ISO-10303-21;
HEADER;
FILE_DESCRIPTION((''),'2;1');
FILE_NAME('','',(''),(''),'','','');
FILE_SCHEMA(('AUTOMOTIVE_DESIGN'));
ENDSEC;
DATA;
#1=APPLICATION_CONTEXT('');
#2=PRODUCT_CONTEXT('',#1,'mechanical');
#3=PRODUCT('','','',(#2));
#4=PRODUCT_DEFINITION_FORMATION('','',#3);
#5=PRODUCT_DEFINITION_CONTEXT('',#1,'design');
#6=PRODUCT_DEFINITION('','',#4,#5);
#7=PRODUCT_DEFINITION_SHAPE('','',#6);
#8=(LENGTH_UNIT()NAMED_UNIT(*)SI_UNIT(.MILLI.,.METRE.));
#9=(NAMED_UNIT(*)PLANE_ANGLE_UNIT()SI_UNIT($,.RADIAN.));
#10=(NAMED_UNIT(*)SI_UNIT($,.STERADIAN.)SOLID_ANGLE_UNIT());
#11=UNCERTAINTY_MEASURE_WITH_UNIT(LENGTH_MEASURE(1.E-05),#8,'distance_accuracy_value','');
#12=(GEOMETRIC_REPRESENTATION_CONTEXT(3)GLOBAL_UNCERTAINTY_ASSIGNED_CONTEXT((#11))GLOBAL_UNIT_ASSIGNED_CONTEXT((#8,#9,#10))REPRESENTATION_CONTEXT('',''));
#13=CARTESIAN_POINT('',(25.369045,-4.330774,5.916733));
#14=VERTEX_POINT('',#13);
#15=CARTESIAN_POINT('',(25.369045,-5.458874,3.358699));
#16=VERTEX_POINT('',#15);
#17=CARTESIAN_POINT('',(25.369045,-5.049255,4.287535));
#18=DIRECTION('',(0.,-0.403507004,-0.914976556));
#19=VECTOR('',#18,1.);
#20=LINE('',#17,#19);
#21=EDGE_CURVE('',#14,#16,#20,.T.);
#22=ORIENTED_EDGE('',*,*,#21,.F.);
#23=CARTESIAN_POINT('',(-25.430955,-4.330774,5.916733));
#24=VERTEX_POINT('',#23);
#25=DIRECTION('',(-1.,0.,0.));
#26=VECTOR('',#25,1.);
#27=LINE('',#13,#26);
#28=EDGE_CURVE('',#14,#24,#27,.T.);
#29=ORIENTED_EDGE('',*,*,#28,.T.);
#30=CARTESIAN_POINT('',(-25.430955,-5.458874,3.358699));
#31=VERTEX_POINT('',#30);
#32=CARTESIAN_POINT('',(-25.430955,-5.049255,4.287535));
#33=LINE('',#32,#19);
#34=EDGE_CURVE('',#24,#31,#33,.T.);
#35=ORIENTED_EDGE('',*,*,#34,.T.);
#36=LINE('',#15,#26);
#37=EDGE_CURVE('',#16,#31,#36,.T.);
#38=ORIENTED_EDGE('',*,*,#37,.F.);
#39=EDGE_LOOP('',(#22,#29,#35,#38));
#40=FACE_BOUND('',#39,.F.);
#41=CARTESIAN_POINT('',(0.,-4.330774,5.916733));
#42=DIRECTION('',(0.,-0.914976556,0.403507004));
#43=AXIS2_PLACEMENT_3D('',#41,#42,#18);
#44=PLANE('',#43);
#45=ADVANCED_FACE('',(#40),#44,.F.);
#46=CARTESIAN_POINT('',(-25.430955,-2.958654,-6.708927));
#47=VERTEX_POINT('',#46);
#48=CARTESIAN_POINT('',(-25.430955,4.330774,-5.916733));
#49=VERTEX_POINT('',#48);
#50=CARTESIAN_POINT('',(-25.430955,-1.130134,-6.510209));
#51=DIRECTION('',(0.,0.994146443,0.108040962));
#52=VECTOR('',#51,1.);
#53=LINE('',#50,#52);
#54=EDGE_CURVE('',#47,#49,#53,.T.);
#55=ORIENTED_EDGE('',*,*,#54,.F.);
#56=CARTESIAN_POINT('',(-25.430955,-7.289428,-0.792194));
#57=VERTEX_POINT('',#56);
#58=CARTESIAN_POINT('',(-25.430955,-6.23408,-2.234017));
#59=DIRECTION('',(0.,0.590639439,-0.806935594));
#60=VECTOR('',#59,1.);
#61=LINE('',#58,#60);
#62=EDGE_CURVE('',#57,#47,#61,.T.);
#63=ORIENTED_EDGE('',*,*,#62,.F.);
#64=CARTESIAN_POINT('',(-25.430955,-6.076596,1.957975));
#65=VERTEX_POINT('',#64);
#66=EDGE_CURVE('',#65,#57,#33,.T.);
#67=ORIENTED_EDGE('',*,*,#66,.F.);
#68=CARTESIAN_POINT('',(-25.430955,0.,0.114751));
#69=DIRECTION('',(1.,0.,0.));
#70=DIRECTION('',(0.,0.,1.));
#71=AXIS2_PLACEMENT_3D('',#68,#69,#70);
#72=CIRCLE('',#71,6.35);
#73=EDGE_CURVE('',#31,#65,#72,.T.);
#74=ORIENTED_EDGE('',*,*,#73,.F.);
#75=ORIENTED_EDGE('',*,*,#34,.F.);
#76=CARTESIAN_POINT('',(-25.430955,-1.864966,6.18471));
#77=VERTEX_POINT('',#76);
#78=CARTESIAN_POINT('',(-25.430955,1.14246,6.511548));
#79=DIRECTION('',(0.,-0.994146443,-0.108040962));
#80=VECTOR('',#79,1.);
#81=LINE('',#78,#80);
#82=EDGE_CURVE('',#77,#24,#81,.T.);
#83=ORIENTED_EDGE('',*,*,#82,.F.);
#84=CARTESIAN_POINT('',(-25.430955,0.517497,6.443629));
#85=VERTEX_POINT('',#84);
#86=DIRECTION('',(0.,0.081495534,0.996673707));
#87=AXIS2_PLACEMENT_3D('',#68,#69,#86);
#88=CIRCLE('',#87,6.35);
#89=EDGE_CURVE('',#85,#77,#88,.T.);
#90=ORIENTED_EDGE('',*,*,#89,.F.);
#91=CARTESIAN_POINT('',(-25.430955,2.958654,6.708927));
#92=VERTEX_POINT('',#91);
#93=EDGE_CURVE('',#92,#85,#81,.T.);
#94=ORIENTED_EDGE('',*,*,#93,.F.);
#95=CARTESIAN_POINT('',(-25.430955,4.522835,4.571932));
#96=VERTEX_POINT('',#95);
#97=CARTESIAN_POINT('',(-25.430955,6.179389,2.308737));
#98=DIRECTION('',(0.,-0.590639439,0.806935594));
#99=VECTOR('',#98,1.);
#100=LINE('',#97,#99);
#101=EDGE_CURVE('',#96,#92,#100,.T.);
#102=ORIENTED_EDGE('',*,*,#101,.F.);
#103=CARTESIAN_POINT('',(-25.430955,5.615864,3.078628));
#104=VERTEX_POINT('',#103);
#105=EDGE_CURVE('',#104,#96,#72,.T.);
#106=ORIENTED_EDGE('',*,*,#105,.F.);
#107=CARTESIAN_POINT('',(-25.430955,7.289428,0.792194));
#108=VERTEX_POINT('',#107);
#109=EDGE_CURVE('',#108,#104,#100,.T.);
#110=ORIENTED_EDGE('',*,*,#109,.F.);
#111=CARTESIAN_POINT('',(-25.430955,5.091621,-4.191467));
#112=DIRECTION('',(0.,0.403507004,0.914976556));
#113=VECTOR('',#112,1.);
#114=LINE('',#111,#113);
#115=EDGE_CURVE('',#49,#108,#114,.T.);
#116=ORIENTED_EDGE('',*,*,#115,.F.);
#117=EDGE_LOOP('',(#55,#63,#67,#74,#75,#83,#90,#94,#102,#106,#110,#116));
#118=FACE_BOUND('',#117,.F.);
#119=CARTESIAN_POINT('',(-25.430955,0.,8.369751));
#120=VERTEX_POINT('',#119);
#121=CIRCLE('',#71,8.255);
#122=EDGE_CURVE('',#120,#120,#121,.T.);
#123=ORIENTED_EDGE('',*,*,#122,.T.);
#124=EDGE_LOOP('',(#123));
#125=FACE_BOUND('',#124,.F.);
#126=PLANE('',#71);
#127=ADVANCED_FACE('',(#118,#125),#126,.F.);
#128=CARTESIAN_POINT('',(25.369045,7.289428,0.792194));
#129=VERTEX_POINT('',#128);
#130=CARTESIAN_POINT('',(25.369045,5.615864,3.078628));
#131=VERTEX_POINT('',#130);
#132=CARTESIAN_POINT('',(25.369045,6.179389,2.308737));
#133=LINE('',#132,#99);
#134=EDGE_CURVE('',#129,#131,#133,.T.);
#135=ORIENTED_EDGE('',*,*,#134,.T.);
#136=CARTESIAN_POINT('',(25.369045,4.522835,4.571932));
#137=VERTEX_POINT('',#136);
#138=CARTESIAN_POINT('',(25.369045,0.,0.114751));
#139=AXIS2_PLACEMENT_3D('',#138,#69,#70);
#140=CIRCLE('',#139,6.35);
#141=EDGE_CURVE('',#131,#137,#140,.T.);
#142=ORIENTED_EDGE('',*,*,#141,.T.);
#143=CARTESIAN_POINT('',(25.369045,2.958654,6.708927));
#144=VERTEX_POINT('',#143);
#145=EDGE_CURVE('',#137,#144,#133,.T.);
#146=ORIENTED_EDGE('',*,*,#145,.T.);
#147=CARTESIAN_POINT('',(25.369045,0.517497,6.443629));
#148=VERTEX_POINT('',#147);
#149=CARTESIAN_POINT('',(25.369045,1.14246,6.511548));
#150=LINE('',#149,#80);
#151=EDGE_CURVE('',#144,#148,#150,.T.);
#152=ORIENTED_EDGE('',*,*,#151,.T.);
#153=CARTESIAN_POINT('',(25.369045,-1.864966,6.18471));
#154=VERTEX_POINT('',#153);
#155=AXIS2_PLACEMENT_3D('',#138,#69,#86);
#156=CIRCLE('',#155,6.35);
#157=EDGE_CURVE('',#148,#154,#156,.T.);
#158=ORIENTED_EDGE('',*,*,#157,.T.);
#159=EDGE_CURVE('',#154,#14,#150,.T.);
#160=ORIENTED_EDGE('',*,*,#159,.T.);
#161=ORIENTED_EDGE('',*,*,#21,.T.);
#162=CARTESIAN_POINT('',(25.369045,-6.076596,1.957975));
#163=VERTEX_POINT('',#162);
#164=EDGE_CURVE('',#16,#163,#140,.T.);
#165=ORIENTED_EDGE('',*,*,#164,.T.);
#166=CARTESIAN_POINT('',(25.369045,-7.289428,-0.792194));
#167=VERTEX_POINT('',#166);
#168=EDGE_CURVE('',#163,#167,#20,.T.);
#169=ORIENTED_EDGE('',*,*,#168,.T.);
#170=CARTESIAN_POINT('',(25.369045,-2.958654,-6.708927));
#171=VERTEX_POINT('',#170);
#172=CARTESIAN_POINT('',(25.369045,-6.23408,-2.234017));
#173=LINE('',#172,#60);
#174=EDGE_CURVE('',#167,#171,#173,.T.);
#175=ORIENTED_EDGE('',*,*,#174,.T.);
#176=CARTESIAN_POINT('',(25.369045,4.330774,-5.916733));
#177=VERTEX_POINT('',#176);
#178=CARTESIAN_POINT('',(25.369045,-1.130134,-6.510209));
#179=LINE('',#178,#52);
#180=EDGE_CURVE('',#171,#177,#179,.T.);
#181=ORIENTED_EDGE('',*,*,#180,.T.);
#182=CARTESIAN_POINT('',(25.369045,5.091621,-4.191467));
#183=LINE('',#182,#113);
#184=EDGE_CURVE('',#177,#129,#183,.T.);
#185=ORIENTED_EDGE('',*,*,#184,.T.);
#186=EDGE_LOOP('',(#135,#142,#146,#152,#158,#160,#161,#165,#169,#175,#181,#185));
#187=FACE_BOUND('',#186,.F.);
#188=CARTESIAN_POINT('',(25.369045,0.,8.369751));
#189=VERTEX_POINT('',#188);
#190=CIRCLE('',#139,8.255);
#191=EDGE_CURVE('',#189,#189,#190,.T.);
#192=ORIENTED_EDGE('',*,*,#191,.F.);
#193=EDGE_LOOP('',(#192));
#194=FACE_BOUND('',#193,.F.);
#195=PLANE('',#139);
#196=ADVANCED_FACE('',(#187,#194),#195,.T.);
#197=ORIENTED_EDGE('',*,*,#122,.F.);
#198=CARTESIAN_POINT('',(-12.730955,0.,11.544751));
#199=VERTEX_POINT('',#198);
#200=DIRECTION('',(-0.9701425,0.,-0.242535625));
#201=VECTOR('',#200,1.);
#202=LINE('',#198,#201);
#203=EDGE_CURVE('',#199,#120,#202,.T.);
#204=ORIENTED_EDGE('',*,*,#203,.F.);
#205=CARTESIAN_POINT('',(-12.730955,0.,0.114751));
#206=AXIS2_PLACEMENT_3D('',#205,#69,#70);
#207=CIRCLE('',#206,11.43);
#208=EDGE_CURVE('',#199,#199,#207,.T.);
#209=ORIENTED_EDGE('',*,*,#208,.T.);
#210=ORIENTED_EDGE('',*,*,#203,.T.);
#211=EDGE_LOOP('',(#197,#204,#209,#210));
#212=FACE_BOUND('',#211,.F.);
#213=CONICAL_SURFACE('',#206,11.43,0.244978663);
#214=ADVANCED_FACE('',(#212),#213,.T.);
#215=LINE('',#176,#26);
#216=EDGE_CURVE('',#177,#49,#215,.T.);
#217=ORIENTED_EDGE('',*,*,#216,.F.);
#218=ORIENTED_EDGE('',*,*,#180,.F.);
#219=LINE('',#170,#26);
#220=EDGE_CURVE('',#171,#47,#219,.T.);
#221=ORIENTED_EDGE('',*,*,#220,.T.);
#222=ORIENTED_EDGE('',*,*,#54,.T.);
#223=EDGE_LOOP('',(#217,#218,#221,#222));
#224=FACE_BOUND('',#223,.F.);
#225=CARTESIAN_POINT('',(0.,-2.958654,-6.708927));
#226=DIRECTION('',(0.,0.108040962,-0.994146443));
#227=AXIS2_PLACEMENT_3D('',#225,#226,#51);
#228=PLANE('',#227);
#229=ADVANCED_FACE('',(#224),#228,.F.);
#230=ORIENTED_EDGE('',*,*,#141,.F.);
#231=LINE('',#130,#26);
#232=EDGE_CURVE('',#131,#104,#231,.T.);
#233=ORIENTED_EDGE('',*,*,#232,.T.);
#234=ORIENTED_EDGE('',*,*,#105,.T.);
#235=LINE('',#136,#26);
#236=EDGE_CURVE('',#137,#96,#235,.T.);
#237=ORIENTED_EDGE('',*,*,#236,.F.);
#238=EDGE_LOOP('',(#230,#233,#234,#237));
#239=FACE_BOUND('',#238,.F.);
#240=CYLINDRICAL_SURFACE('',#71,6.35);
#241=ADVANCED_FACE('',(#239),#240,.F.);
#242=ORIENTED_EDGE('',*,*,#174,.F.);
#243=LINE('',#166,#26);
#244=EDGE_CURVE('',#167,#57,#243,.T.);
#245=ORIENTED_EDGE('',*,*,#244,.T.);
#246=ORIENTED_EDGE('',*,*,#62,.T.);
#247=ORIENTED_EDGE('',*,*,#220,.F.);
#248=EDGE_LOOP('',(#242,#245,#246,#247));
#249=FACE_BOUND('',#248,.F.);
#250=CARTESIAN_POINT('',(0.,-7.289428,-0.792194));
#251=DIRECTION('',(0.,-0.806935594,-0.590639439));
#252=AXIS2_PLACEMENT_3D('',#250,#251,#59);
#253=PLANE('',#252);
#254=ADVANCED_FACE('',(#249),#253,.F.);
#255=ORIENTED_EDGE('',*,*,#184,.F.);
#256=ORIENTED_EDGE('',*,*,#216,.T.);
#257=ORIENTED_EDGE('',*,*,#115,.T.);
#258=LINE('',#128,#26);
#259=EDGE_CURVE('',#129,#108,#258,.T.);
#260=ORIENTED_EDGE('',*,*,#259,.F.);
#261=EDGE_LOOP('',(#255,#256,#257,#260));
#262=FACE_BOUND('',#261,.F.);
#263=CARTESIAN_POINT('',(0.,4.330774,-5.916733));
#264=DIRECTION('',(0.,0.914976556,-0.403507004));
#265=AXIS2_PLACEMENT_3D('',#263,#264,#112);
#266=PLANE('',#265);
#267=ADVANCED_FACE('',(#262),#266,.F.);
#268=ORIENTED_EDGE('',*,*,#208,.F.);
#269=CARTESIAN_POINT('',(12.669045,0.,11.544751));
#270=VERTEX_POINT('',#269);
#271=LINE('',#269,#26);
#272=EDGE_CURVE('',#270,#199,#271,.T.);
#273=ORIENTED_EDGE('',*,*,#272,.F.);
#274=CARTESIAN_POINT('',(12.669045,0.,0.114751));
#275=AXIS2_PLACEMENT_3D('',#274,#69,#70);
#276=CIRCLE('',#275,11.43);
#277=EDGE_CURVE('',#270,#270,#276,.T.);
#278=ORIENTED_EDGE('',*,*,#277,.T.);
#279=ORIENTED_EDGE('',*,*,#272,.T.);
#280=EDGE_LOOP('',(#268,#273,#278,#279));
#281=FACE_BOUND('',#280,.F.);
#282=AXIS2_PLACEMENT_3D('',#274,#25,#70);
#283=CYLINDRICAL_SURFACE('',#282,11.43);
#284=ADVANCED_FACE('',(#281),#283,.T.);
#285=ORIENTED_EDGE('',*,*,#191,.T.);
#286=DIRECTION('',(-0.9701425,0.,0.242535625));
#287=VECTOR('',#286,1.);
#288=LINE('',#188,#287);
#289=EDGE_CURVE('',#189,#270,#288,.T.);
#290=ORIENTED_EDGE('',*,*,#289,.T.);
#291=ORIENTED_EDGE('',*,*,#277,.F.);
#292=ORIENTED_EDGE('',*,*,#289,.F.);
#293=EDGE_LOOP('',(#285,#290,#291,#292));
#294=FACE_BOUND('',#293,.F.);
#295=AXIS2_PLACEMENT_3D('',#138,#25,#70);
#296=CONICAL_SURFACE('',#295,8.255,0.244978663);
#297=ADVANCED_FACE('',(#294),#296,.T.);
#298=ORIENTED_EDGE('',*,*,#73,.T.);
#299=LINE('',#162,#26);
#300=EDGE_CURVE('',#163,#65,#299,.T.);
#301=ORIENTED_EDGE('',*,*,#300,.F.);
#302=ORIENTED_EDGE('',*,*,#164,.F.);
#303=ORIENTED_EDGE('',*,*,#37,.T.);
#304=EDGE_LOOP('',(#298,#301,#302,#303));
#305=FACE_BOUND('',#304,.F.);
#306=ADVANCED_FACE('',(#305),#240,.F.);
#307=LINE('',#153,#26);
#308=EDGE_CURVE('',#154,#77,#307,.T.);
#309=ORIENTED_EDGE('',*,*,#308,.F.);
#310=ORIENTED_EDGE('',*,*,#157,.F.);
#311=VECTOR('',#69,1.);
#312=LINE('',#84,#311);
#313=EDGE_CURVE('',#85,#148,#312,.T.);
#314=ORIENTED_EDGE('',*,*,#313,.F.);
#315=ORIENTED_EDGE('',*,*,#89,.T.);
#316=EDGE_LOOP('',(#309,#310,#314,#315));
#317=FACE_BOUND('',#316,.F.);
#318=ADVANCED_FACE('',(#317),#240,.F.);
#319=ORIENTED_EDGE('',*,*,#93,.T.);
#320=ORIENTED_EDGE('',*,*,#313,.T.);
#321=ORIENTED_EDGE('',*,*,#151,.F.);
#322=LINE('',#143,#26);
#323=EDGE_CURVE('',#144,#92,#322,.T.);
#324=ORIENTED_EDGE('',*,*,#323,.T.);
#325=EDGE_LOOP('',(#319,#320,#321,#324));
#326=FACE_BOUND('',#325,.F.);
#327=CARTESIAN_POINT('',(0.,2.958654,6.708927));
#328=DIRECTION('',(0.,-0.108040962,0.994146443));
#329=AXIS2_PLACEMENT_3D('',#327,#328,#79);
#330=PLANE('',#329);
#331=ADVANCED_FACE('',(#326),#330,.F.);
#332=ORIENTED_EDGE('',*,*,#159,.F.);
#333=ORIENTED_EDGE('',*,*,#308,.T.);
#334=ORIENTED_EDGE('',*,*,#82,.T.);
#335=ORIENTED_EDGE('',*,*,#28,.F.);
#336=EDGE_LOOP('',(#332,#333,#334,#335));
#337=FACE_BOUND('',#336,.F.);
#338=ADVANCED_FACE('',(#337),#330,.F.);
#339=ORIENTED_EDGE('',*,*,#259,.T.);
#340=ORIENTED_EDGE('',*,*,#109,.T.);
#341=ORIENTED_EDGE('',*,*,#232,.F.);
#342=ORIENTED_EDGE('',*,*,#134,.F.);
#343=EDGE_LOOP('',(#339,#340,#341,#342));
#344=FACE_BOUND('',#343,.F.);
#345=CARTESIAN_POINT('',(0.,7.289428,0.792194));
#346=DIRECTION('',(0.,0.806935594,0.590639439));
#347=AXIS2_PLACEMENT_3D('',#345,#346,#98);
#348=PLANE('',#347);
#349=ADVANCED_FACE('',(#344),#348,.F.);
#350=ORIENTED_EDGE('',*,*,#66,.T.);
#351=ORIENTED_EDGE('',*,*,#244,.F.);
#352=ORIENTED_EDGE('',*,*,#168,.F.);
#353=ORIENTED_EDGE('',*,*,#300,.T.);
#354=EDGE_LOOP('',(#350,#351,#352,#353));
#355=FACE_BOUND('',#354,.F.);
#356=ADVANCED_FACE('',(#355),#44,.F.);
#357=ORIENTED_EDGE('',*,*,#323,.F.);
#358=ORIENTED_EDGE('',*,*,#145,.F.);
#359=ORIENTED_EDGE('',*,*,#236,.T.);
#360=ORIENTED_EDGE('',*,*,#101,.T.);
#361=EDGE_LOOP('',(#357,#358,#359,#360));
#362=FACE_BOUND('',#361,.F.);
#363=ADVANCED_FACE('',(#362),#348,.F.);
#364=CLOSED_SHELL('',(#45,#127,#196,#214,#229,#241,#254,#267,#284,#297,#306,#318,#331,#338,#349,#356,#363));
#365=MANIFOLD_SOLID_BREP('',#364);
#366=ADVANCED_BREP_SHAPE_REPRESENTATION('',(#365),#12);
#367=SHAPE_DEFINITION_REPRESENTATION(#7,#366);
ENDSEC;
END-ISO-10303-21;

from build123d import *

# Parameters (mm, degrees)
F3_DEPTH      = 38.1
F3_DEPTH_BACK = 38.1


with BuildPart() as f2:
    # F1 (on Front) → F2 (revolve)
    with BuildSketch(Plane.XZ):
        Polygon((-25.4309553104, 8.369750945), (-25.4309553104, 6.464750945), (25.3690446896, 6.464750945), (25.3690446896, 8.369750945), (12.6690446896, 11.544750945), (-12.7309553104, 11.544750945), align=None)
    revolve(axis=Axis((-0.4450748034, 0, 0.114750945), (1, 0, 0)))

    # F0 (on Right) → F3 (cut, two sides)
    with BuildSketch(Plane.YZ) as f3_sk:
        Polygon((7.2894281006, 0.7921939781), (2.9586539406, 6.7089269033), (-4.3307741601, 5.9167329252), (-7.2894281006, -0.7921939781), (-2.9586539406, -6.7089269033), (4.3307741601, -5.9167329252), align=None)
    extrude(amount=-F3_DEPTH, mode=Mode.SUBTRACT)
    extrude(f3_sk.sketch, amount=F3_DEPTH_BACK, mode=Mode.SUBTRACT)


solid = f2.part
